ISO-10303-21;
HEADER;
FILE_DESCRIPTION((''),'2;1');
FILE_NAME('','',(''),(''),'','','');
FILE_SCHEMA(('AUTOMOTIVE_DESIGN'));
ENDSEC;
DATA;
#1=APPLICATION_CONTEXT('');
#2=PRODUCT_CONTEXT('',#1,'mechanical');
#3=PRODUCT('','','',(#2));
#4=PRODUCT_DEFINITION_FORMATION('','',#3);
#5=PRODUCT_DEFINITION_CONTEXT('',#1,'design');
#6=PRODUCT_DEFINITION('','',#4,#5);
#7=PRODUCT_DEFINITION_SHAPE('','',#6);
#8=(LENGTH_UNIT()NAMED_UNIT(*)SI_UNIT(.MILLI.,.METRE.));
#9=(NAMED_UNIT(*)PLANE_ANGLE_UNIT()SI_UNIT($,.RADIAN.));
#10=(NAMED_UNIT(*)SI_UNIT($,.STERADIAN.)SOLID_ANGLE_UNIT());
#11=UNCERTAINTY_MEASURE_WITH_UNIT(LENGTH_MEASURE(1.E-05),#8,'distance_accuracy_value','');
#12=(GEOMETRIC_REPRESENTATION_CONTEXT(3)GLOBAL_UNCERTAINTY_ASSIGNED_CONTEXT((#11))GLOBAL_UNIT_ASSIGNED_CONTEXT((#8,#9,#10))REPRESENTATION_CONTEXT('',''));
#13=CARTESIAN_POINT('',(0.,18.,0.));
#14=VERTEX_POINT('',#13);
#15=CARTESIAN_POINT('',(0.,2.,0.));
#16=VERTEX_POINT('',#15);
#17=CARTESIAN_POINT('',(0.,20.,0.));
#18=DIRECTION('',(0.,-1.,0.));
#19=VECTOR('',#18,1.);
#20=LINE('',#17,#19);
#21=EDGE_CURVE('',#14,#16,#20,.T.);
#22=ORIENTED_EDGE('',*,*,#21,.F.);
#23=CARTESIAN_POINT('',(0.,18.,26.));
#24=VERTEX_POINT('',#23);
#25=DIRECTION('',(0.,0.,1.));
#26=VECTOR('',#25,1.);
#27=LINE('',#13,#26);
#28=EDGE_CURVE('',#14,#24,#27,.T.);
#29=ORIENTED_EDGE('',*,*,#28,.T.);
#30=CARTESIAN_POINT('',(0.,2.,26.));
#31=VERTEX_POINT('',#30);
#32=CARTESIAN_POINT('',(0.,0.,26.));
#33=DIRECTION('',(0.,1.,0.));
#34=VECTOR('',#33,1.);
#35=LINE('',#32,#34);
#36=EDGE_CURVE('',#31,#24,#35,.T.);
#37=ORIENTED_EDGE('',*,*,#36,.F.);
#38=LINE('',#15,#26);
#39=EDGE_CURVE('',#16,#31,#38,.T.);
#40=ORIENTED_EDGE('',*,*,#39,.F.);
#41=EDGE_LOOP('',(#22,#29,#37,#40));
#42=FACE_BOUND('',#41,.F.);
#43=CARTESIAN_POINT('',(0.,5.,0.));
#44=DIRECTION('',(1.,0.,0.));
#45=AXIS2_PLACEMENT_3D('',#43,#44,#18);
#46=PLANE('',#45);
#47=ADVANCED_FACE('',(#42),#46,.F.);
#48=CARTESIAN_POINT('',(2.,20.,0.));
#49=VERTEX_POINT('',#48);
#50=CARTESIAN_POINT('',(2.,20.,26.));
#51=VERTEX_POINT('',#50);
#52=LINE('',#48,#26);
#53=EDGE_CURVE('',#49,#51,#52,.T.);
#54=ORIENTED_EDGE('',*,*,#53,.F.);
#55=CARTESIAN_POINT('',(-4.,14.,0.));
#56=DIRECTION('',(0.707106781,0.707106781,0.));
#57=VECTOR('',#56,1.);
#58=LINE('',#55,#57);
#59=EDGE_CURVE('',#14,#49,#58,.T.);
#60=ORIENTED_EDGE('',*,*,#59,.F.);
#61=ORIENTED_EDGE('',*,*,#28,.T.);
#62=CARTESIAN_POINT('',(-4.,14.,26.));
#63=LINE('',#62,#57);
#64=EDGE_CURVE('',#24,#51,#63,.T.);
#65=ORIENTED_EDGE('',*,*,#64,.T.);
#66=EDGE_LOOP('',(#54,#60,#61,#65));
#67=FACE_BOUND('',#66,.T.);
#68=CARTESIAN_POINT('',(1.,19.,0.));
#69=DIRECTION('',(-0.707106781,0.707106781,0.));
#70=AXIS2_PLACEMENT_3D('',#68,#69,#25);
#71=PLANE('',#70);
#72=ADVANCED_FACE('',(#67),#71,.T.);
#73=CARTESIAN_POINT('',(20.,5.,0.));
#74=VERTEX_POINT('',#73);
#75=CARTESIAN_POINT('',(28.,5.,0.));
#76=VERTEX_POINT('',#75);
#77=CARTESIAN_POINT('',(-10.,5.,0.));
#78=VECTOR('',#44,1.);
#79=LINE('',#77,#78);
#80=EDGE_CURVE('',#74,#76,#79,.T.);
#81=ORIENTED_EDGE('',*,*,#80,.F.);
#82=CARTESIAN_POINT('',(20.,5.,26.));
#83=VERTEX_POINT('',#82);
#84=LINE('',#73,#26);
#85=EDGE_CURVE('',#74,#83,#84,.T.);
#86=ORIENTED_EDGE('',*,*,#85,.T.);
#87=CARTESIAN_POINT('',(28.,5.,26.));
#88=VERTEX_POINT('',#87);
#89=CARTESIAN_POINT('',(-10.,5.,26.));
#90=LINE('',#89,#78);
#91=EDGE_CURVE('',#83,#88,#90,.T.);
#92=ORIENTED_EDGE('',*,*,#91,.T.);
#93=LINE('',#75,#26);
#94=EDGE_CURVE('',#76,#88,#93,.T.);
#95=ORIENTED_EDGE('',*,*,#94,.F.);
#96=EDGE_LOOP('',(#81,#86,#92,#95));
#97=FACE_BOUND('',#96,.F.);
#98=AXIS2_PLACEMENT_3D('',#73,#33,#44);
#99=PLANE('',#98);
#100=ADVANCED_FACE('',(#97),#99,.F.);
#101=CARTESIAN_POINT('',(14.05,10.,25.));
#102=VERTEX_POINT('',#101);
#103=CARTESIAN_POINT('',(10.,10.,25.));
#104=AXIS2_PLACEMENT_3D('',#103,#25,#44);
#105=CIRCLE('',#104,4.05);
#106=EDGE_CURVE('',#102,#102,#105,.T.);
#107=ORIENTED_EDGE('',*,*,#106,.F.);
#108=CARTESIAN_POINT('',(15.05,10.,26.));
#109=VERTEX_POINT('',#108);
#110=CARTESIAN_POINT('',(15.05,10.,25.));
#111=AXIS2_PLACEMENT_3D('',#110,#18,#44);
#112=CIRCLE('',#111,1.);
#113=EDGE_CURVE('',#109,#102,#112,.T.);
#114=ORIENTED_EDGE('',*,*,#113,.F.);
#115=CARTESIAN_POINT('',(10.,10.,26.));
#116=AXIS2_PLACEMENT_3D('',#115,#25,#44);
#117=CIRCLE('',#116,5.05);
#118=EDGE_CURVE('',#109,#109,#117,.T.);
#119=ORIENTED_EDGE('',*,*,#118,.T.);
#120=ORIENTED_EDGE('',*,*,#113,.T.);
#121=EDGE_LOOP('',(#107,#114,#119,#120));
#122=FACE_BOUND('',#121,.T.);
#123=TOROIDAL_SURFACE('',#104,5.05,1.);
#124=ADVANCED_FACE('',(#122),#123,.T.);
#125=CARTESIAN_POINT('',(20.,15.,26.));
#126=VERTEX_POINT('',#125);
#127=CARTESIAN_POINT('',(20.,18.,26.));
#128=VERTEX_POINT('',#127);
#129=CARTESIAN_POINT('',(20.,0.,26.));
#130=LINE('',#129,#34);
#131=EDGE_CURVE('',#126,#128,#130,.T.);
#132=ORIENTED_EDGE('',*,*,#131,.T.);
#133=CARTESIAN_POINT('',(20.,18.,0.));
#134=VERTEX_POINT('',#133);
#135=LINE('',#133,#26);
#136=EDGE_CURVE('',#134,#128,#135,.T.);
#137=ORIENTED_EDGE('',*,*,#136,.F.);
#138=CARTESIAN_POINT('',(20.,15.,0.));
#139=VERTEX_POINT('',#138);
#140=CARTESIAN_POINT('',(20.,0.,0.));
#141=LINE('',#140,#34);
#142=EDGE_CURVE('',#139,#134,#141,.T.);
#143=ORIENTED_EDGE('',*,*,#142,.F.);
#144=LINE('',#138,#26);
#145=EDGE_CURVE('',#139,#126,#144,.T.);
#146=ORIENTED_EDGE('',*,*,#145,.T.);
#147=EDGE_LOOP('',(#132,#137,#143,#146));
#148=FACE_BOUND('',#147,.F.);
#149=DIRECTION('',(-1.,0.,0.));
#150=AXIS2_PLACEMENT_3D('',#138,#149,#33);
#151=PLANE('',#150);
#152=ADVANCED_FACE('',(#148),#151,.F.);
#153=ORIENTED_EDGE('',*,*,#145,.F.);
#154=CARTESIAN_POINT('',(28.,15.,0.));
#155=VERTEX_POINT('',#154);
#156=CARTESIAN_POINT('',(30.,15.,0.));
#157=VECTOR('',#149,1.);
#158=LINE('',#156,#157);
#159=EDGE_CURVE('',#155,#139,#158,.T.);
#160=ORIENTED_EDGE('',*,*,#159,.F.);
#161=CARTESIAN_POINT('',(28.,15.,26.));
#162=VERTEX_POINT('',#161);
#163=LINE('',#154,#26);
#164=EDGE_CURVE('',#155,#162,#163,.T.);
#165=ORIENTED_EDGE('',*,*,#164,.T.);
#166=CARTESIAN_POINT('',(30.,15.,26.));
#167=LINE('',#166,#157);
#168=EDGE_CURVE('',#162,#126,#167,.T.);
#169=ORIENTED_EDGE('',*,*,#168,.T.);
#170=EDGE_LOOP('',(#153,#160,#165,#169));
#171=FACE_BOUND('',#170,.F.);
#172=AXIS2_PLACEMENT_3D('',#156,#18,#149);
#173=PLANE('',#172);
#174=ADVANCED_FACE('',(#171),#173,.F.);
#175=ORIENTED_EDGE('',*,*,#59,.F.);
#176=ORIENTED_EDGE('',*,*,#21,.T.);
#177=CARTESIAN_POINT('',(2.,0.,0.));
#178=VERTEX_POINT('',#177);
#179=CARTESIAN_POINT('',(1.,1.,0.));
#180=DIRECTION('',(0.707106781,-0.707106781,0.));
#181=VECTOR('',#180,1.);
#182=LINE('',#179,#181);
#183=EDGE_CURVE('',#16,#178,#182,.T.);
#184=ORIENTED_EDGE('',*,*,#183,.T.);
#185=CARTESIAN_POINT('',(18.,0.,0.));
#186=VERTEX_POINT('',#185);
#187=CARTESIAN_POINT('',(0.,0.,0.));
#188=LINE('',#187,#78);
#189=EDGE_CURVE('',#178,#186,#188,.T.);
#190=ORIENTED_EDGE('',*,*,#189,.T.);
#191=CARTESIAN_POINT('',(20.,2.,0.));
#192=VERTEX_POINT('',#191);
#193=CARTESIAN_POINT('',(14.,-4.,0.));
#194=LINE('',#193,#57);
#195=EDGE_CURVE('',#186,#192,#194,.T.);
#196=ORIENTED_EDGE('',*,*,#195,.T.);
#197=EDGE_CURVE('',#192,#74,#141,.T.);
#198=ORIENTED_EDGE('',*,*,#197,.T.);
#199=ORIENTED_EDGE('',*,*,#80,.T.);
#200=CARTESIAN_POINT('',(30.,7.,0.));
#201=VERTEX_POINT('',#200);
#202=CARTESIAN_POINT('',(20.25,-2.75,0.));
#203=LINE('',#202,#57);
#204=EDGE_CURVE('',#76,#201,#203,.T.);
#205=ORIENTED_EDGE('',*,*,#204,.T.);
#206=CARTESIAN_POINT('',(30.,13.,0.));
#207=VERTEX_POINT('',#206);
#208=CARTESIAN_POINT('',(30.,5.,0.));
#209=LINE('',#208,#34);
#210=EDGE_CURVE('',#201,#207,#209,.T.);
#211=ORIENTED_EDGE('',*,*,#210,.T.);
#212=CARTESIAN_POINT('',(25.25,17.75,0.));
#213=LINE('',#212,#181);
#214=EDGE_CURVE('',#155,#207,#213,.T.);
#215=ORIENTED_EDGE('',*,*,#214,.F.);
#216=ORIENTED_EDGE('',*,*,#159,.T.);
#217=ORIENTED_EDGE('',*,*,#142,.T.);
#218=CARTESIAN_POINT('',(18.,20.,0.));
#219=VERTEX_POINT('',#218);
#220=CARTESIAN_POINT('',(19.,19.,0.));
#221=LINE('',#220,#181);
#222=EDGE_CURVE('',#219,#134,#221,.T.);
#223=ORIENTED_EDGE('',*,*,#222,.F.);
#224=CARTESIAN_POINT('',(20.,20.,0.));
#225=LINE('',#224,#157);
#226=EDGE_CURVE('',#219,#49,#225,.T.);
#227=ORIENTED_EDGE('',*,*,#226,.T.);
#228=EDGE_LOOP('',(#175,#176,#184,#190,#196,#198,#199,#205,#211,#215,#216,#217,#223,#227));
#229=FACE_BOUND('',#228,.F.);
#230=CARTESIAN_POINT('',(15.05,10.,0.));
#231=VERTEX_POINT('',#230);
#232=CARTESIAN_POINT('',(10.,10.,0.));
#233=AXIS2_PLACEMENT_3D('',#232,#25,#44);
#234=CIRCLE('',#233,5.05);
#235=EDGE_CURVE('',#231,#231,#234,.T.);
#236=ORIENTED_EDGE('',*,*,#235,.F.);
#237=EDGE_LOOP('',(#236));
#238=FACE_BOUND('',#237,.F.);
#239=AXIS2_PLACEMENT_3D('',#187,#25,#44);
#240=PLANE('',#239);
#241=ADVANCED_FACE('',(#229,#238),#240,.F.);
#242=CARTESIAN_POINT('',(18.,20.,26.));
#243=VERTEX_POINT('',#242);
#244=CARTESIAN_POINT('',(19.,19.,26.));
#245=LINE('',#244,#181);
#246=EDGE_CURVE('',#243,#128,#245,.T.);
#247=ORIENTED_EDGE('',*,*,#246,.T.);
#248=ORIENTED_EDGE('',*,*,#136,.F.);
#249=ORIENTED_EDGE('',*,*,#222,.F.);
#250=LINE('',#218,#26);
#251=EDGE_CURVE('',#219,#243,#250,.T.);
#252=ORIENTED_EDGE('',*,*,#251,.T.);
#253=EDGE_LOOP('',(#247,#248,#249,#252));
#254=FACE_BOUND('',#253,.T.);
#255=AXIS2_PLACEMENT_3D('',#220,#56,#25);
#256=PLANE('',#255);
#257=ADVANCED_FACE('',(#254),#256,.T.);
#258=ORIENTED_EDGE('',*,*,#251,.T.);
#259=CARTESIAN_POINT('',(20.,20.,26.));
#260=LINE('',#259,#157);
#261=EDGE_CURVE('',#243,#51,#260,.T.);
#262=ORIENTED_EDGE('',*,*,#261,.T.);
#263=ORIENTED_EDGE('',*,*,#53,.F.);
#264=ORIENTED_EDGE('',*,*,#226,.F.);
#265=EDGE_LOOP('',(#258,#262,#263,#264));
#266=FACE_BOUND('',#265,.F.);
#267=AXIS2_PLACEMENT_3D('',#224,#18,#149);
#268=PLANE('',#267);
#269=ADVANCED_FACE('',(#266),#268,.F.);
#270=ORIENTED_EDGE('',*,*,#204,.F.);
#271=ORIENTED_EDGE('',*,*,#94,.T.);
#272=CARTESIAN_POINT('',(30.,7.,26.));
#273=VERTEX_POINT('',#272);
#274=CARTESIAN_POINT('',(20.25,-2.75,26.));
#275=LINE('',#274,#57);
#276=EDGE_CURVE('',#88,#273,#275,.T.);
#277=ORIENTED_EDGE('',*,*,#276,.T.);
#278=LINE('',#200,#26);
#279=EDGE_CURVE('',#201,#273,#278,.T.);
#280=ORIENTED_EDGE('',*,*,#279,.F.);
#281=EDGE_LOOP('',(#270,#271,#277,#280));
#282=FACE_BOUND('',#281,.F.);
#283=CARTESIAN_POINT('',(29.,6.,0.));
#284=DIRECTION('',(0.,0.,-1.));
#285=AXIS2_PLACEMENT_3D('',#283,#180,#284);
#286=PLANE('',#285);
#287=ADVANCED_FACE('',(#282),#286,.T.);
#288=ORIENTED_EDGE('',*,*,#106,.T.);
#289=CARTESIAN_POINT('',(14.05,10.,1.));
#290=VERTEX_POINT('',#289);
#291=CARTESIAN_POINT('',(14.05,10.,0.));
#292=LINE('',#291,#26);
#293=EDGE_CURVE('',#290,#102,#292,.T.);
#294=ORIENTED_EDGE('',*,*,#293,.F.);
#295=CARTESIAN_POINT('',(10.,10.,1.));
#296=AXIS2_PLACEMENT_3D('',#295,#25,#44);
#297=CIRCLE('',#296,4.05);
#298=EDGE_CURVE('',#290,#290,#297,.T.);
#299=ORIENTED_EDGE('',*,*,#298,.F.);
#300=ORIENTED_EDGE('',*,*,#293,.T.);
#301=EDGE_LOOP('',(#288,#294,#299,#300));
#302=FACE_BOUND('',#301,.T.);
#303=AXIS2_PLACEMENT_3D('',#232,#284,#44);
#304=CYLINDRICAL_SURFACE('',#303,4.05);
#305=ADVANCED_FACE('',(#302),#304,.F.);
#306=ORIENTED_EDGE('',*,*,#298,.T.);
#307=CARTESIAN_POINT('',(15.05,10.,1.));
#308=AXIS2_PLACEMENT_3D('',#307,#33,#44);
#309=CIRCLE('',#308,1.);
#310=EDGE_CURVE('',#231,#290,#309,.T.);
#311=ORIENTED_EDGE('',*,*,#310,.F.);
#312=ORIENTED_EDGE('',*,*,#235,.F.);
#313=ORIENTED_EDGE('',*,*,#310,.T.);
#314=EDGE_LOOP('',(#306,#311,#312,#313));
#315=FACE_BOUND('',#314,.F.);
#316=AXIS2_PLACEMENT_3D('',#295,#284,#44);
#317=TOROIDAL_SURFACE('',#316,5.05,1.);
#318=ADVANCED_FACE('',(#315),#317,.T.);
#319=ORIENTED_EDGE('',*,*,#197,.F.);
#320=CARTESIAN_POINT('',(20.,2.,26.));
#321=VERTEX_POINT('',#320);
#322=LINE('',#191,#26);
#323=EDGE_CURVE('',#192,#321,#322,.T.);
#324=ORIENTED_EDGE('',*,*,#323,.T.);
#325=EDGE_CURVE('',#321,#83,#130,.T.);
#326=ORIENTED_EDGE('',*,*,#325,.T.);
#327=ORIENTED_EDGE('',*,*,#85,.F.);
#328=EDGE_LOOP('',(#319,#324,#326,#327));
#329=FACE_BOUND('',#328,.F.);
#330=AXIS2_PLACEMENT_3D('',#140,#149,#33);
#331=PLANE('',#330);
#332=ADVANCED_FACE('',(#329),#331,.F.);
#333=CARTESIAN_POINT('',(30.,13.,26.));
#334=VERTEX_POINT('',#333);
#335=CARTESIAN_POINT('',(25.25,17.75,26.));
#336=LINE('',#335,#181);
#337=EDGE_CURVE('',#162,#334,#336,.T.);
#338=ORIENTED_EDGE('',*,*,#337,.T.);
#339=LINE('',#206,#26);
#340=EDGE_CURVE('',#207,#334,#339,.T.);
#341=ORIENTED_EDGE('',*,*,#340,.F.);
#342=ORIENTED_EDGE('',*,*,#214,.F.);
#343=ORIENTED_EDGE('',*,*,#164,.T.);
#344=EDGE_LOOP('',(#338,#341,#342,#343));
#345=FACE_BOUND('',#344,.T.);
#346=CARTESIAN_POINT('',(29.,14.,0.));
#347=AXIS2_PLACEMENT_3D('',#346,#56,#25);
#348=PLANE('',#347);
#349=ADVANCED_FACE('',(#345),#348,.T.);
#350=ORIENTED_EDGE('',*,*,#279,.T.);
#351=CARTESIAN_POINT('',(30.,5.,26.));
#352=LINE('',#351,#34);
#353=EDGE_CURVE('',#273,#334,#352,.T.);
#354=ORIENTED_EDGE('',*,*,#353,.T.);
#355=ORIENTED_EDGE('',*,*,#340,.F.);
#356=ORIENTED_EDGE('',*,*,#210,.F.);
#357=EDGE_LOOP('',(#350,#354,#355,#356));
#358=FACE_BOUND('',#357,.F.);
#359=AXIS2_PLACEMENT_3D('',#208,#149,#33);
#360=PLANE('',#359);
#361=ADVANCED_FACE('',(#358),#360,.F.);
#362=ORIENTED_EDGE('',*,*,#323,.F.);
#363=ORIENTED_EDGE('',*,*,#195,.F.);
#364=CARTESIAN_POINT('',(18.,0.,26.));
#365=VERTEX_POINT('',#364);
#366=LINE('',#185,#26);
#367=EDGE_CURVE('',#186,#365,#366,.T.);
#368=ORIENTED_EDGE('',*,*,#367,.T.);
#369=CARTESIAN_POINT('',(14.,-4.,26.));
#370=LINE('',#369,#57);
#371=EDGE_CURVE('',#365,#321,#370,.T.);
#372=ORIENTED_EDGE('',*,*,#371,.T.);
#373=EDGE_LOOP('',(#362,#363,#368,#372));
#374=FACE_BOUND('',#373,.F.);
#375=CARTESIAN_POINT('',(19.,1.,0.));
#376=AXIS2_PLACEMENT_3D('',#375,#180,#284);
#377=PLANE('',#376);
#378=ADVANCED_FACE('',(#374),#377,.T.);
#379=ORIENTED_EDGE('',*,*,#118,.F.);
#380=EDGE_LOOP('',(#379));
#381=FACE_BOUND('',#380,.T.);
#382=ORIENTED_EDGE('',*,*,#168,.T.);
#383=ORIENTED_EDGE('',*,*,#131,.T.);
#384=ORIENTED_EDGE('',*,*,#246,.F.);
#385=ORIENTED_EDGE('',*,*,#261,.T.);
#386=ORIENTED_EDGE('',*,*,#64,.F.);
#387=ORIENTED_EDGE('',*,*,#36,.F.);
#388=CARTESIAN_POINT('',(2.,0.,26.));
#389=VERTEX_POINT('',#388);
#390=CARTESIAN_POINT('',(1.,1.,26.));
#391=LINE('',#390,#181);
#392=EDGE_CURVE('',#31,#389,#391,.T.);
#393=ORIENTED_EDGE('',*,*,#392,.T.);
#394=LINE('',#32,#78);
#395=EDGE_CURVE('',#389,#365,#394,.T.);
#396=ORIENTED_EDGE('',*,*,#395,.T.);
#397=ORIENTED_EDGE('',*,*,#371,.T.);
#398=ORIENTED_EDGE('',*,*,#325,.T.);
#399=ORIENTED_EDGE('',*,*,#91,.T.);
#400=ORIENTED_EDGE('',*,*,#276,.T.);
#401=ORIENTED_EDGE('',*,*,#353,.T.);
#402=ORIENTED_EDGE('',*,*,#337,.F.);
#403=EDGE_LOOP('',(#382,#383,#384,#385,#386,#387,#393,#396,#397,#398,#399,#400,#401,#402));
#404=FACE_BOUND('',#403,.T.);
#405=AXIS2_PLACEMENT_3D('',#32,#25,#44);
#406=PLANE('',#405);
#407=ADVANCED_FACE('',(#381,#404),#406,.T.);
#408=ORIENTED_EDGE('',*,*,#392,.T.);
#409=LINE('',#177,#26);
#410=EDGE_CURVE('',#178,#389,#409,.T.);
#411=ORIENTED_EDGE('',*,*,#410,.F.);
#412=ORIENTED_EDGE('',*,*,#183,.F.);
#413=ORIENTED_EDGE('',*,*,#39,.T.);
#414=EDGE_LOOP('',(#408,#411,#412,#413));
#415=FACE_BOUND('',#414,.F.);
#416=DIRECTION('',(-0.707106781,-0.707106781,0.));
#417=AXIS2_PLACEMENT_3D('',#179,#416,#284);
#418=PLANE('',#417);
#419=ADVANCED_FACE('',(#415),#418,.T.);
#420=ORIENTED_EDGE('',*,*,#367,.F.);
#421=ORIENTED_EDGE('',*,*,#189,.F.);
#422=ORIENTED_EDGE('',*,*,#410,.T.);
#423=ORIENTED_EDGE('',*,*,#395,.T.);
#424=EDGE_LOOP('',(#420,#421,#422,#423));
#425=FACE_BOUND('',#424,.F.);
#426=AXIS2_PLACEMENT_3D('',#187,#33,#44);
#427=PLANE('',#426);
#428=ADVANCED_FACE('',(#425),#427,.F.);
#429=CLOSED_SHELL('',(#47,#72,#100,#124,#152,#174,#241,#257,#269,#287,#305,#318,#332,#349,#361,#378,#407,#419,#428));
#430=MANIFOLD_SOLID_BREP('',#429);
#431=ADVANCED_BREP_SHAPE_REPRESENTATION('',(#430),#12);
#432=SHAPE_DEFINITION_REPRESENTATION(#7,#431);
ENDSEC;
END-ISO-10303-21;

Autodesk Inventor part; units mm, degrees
ref_plane "YZ Plane" through (0, 0, 0) normal (1, 0, 0) x (0, 1, 0)
ref_plane "XZ Plane" through (0, 0, 0) normal (0, 1, 0) x (-1, 0, 0)
ref_plane "XY Plane" through (0, 0, 0) normal (0, 0, 1) x (1, 0, 0)
sketch "Sketch1" plane through (0, 0, 0) normal (0, 0, 1) x (1, 0, 0)
  line L0 (0, 0) -> (20, 0)
  line L1 (20, 0) -> (20, 20)
  line L2 (20, 20) -> (0, 20)
  line L3 (0, 20) -> (0, 0)
  line L4 (-10, 5) -> (30, 5)
  line L5 (30, 5) -> (30, 15)
  line L6 (30, 15) -> (-10, 15)
  line L7 (-10, 15) -> (-10, 5)
  line L8 (-10, 5) -> (30, 15) construction
  line L9 (30, 5) -> (-10, 15) construction
  circle A0 centre (10, 10) radius 4.05
  point P0 (20, 5)
  point P1 (20, 15)
  dimension "d0" = 20
  dimension "d1" = 20
  dimension "d2" = 40
  dimension "d3" = 10
  dimension "d4" = 10
  dimension "d5" = 10
  dimension "d6" = 8.1
extrude "Extrusion1" add sketch "Sketch1" along normal blind 26 contours L3 L4 L1 L0 | L3 L6 L1 L4 | L1 L6 L5 L4 | L3 L2 L1 L6
chamfer "Chamfer1" distance 2 angle 45 6 edges at (20, 20, 13) (30, 15, 13) (30, 5, 13) (20, 0, 13) (0, 20, 13) (0, 0, 13)
fillet "Fillet1" radius 1 2 edges at (5.95, 10, 0) (5.95, 10, 26)
properties part number "Turret_Holder_2"
